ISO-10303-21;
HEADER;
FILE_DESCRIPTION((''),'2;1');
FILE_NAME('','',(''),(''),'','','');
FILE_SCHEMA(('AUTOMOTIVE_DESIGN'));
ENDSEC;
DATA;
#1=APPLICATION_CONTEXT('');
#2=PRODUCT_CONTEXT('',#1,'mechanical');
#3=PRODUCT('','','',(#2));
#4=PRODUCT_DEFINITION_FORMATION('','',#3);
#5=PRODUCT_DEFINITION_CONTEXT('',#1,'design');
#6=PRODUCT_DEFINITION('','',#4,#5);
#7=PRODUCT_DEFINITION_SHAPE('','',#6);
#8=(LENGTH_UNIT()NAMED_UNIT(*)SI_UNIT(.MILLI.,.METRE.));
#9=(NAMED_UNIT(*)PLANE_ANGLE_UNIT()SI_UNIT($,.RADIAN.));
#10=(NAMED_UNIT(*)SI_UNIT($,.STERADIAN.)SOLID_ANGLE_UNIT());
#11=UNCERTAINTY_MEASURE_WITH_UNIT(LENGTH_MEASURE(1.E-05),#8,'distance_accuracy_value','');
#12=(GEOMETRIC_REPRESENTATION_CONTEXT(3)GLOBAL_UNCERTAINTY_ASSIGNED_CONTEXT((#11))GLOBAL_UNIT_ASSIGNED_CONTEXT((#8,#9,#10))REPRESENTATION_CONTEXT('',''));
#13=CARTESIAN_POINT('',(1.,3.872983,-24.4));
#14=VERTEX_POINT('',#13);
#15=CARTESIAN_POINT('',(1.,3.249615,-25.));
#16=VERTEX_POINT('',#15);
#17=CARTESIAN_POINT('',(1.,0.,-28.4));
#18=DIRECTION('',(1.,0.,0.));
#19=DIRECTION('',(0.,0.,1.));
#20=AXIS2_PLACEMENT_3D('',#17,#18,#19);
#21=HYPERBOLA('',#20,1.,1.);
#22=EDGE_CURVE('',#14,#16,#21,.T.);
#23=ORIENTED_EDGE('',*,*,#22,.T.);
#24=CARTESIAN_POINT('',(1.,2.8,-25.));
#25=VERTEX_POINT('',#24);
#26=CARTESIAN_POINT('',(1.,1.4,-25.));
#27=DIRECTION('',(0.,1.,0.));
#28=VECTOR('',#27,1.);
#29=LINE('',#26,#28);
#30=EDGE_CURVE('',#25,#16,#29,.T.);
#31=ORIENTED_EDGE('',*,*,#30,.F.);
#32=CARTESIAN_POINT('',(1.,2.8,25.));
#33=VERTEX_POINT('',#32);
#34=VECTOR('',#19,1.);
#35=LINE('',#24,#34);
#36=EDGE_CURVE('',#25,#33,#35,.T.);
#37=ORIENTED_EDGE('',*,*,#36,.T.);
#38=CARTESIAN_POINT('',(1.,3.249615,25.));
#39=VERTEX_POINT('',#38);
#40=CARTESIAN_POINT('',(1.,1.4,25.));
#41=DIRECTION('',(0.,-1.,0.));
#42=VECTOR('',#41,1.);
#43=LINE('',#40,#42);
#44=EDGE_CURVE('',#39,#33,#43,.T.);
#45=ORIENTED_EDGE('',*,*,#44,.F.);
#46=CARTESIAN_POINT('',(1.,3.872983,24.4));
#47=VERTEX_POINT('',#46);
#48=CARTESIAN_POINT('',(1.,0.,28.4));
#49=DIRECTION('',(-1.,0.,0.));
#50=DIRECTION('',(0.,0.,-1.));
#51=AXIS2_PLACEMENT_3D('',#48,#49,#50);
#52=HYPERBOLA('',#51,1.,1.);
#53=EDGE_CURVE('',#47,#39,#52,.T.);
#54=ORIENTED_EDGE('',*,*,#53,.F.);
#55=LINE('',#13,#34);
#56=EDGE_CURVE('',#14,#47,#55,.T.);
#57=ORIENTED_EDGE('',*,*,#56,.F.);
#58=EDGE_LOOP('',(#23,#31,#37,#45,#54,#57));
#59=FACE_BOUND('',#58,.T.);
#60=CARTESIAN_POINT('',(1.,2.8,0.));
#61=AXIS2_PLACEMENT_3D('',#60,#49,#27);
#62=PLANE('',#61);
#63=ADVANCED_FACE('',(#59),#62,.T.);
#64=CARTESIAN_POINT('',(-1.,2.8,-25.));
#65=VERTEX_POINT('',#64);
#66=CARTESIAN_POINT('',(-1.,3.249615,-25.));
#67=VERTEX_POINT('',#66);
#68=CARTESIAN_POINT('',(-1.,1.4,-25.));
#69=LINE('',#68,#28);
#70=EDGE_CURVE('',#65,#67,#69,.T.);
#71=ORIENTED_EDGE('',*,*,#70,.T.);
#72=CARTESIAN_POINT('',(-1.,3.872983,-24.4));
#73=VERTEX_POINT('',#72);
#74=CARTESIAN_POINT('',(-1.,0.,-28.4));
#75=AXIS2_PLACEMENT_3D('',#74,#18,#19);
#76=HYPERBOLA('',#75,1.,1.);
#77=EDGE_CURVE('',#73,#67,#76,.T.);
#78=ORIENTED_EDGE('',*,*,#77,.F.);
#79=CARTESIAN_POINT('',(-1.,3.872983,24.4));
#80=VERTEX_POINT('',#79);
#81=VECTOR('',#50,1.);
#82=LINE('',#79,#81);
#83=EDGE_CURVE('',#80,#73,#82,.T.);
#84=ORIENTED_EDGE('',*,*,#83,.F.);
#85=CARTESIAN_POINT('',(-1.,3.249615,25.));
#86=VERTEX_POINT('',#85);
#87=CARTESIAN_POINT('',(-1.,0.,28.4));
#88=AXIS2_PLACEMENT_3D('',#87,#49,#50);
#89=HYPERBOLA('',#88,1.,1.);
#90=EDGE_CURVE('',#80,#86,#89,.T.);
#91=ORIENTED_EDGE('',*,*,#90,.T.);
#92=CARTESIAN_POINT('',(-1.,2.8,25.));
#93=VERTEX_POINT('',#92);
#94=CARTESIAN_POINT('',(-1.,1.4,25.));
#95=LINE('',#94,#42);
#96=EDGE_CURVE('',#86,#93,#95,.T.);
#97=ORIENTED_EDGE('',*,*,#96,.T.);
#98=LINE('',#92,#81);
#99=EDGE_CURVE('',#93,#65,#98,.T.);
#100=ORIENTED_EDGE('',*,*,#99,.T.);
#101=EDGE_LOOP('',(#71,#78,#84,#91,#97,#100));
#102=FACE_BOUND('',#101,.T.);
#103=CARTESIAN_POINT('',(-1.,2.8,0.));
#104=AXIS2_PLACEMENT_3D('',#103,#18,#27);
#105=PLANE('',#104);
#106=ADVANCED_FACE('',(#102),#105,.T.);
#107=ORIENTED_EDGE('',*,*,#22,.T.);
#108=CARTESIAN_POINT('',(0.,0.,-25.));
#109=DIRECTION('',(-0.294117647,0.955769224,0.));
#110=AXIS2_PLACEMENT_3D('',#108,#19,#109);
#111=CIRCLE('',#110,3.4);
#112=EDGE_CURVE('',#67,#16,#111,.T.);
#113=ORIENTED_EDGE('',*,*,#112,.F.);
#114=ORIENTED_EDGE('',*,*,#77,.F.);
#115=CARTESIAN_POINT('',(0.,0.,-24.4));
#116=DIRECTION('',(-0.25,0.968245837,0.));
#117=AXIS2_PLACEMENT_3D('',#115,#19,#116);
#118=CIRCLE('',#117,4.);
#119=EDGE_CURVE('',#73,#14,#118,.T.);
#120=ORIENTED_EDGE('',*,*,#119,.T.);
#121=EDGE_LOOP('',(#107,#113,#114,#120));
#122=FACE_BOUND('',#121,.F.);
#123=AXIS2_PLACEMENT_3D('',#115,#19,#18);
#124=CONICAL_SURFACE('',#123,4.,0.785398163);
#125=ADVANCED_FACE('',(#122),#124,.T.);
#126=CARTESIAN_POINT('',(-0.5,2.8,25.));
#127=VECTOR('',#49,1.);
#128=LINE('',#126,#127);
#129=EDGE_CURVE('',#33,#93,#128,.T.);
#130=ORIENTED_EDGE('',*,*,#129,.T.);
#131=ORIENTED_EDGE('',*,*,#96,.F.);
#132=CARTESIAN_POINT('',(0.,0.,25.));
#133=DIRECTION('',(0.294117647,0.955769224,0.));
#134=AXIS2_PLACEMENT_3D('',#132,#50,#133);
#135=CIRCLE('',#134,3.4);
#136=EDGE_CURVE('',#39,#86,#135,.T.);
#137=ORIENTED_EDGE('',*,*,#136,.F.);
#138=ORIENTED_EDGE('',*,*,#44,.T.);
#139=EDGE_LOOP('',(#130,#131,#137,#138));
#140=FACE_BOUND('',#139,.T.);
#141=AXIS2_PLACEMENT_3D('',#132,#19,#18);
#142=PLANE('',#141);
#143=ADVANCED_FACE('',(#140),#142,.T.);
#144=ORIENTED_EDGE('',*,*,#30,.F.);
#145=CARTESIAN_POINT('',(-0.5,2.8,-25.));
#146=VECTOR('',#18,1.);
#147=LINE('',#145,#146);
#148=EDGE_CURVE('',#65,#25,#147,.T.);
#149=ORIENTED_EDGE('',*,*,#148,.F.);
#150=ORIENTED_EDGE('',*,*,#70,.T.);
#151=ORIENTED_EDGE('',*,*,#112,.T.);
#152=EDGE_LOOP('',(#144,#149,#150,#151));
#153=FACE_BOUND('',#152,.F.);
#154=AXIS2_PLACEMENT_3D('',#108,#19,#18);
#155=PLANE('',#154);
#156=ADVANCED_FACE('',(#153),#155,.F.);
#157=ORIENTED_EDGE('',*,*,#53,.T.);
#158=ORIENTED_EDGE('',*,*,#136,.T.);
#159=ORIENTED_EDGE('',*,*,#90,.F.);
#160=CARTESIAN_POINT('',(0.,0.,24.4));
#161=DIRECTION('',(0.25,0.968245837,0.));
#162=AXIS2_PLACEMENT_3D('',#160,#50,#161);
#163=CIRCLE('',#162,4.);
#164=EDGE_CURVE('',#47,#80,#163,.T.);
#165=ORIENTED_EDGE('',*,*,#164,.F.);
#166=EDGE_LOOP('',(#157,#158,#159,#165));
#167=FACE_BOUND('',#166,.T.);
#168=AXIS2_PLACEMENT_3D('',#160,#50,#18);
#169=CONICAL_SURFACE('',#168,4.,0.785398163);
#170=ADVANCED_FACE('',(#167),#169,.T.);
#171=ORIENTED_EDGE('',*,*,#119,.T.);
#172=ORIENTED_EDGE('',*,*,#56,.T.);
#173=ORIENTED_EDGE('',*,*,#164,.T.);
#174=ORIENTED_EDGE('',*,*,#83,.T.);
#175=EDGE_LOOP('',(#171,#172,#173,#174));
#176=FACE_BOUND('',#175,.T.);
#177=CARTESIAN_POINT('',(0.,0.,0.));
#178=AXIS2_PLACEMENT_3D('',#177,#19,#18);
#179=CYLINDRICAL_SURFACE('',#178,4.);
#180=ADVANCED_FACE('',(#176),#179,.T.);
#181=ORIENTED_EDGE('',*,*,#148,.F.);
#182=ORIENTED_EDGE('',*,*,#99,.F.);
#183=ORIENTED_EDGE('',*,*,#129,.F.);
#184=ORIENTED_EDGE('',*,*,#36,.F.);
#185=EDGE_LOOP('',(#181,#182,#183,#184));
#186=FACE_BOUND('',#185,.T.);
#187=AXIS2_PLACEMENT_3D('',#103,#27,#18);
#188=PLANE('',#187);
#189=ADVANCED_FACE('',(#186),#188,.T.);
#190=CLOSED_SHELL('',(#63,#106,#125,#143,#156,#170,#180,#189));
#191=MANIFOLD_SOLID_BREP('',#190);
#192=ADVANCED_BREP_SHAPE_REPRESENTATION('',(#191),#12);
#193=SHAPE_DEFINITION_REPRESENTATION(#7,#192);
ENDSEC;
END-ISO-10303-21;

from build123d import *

# Parameters (mm, degrees)
SKETCH1_R           = 4
EXTRUDE1_DEPTH      = 25
CHAMFER1_SIZE       = 0.6
SKETCH3_W           = 2
SKETCH3_H           = 1.2
EXTRUDE2_DEPTH      = 26
EXTRUDE2_DEPTH_BACK = 26


with BuildPart() as part:
    # Sketch1 → Extrude1 (new body, symmetric)
    with BuildSketch(Plane.XY):
        Circle(SKETCH1_R)
    extrude(amount=EXTRUDE1_DEPTH, both=True)

    # Chamfer1
    chamfer1_edges = [part.edges().sort_by_distance(p)[0] for p in [
        (-4, 0, -25),
        (-4, 0, 25),
    ]]
    chamfer(chamfer1_edges, length=CHAMFER1_SIZE)

    # Sketch3 → Extrude2 (cut, two sides)
    with BuildSketch(Plane.XY) as extrude2_sk:
        with Locations((0, 3.4)):
            Rectangle(SKETCH3_W, SKETCH3_H)
    extrude(amount=EXTRUDE2_DEPTH, mode=Mode.SUBTRACT)
    extrude(extrude2_sk.sketch, amount=-EXTRUDE2_DEPTH_BACK, mode=Mode.SUBTRACT)


solid = part.part
